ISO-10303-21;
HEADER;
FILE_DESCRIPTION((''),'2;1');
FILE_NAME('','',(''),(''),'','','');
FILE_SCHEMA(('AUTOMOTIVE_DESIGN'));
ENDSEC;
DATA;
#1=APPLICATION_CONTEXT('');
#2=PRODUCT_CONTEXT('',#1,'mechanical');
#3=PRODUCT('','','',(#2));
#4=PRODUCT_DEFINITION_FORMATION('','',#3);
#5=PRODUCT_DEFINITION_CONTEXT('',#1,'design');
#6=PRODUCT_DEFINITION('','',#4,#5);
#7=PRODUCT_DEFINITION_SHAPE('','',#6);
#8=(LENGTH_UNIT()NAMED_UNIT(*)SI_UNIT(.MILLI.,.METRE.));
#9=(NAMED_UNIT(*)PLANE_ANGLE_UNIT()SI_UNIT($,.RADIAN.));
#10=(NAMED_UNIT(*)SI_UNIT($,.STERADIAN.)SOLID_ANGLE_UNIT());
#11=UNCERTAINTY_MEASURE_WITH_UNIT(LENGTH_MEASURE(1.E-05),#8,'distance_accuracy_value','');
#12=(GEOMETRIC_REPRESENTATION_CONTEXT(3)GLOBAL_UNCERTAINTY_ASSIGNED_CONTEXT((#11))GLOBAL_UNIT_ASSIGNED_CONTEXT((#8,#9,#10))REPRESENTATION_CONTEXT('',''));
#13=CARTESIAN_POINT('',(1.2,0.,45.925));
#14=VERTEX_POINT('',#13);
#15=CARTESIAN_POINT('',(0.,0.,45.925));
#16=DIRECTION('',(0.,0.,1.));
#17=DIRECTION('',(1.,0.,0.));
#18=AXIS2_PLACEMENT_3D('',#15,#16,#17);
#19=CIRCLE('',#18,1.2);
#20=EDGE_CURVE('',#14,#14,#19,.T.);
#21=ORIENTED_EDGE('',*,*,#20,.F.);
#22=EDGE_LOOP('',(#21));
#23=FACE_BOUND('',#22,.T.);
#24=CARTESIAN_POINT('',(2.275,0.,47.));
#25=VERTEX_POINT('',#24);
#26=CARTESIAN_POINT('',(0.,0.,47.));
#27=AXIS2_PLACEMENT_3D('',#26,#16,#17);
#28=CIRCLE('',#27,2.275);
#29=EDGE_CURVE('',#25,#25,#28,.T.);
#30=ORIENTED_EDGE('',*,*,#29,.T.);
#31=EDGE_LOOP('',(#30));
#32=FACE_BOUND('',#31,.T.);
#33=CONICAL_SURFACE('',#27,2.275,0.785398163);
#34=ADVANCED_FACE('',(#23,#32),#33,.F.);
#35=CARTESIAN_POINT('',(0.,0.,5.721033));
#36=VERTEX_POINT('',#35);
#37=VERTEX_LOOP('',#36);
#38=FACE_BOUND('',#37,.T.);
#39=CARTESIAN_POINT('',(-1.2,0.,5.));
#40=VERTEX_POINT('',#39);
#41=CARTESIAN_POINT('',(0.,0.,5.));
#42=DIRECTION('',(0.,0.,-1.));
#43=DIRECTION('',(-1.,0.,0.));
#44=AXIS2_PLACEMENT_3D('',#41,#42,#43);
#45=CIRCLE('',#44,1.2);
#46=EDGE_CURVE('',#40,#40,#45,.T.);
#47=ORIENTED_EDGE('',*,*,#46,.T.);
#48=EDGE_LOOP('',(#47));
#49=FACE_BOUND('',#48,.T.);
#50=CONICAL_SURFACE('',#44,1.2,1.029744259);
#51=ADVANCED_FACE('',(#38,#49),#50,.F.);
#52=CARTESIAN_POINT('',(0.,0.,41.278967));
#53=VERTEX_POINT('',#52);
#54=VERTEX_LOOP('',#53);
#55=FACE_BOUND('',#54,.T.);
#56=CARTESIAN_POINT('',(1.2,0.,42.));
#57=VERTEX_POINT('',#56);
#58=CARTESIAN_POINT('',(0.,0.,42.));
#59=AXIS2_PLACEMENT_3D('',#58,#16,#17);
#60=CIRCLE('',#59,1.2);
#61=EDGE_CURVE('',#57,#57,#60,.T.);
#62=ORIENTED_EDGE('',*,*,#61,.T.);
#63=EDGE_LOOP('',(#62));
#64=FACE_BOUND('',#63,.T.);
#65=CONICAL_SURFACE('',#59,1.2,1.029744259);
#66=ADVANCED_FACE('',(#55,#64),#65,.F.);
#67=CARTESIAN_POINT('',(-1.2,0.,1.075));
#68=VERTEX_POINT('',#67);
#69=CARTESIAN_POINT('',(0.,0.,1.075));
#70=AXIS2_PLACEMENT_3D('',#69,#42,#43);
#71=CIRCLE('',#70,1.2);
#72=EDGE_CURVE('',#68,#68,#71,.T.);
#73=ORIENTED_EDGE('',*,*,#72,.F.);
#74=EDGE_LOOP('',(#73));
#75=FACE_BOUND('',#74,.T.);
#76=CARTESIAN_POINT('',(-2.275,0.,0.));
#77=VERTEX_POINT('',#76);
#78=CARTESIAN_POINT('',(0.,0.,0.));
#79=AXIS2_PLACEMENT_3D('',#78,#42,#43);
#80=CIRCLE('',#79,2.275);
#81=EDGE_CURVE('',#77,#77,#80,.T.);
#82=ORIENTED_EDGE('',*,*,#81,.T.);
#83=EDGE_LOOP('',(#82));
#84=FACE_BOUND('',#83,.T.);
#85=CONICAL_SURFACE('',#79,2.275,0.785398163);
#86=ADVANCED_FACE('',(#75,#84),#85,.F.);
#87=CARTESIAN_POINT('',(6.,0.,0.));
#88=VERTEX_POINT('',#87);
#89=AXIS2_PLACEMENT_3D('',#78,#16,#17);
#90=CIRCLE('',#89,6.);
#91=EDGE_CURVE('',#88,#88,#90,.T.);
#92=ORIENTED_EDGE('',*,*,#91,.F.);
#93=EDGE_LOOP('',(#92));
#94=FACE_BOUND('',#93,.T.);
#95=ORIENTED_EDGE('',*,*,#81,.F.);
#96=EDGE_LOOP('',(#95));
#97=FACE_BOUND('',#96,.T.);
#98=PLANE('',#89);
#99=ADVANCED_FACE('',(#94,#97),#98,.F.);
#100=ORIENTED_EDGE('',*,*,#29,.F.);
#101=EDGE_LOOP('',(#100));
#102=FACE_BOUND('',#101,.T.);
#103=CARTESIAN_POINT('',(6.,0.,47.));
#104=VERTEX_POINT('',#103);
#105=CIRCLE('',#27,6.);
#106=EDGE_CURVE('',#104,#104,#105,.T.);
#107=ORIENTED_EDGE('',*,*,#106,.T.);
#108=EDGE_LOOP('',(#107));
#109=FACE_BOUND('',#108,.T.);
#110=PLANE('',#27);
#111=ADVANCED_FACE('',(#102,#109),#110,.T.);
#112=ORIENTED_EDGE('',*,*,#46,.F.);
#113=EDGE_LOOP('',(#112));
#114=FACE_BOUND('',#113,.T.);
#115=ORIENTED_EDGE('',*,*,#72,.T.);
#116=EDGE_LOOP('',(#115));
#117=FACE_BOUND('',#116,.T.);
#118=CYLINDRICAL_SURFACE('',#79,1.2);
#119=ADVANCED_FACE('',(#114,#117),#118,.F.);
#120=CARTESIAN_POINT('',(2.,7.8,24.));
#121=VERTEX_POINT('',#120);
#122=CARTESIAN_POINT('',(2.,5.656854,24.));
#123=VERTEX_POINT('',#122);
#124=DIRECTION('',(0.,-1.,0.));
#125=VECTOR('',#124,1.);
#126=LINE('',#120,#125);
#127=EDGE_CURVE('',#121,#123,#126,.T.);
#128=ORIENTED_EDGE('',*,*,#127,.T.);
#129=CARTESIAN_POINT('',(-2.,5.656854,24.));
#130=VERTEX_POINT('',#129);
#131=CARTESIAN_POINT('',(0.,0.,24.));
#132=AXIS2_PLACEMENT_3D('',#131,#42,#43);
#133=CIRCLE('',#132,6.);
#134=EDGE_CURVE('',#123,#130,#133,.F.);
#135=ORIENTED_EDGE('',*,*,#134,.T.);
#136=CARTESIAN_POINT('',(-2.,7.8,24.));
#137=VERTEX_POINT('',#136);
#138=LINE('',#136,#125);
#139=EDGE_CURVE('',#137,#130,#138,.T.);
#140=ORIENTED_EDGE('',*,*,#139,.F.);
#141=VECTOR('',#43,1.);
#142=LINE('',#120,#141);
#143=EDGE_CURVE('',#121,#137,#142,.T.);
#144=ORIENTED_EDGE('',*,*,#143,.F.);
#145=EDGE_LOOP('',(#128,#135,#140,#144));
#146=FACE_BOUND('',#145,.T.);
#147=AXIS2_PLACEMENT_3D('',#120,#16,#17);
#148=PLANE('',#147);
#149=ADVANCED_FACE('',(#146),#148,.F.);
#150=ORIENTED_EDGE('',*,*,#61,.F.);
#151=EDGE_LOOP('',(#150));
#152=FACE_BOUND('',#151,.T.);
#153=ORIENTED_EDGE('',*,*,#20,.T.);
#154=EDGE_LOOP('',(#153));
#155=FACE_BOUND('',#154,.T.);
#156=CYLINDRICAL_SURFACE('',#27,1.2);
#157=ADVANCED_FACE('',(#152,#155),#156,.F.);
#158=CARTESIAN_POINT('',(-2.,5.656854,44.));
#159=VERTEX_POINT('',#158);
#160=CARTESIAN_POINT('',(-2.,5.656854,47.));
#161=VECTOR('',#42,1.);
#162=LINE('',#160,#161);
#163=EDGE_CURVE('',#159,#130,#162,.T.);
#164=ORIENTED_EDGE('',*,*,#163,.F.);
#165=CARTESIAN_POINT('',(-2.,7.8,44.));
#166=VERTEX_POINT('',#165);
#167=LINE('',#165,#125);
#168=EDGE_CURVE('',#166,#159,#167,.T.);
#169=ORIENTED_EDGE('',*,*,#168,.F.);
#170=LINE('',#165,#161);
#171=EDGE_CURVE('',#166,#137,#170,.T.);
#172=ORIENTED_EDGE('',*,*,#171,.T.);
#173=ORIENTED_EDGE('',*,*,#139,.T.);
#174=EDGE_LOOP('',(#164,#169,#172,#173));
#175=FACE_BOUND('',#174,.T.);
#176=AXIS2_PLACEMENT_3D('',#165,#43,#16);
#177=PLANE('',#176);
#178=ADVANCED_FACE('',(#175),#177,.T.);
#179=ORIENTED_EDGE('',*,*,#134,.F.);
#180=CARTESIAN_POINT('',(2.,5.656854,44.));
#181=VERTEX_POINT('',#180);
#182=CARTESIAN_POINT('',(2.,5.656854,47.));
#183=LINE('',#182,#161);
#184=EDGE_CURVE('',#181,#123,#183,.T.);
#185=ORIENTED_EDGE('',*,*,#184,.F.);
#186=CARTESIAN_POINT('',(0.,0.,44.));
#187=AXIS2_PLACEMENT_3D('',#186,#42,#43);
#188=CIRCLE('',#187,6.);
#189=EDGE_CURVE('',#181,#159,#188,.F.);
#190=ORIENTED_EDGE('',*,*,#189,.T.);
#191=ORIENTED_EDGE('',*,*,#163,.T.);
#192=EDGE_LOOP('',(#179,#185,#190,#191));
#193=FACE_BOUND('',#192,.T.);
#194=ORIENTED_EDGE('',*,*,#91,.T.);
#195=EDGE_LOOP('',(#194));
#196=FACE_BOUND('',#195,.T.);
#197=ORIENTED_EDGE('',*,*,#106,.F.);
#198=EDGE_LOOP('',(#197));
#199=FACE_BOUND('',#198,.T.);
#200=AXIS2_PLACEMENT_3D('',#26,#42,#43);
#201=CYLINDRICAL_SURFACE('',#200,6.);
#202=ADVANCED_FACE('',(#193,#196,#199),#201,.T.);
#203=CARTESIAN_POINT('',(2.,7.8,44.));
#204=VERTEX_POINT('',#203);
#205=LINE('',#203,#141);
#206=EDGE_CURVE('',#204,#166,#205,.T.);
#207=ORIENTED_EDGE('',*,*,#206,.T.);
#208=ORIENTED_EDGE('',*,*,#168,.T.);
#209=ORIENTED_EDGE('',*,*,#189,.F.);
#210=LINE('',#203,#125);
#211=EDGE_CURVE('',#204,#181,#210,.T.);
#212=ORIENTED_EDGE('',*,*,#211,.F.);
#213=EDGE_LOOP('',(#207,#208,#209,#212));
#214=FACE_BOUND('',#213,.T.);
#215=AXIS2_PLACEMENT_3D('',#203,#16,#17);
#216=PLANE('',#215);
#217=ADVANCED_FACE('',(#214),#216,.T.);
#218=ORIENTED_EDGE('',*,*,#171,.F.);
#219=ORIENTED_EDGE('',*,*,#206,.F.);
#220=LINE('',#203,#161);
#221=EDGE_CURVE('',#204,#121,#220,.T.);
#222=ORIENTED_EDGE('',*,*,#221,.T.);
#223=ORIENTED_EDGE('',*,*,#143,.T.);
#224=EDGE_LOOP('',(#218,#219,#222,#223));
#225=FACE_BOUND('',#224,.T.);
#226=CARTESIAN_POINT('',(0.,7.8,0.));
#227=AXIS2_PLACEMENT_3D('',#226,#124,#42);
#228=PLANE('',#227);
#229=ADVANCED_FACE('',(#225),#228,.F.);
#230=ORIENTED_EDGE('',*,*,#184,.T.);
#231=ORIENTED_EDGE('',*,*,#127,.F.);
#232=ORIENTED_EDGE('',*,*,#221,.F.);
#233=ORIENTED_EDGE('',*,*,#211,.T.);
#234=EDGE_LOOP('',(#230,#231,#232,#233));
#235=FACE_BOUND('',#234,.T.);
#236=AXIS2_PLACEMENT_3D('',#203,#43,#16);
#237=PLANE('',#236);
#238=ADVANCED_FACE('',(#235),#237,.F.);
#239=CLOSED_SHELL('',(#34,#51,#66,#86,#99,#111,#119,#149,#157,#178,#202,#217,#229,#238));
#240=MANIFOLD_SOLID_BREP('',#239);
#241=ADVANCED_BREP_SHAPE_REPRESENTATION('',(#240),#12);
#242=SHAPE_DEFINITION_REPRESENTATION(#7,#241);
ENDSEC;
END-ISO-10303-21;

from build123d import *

# Parameters (mm, degrees)
SKETCH_1_R                   = 6
EXTRUDE_1_DEPTH              = 47
EXTRUDE_2_DEPTH              = 1.8
EXTRUDE_2_DEPTH_BACK         = 1.8
SKETCH_2_W                   = 20
SKETCH_2_H                   = 4
HOLE_WIZARD_M2_2_D           = 2.4
HOLE_WIZARD_M2_2_DEPTH       = 5
HOLE_WIZARD_M2_2_CSINK_D     = 4.55
HOLE_WIZARD_M2_2_CSINK_ANGLE = 90
HOLE_WIZARD_M2_2_TIP         = 0.721032743
HOLE_WIZARD_M2_3_D           = 2.4
HOLE_WIZARD_M2_3_DEPTH       = 5
HOLE_WIZARD_M2_3_CSINK_D     = 4.55
HOLE_WIZARD_M2_3_CSINK_ANGLE = 90
HOLE_WIZARD_M2_3_TIP         = 0.721032743


with BuildPart() as part:
    # 스케치1 → 보스-돌출1 (new body)
    with BuildSketch(Plane.XY):
        Circle(SKETCH_1_R)
    extrude(amount=EXTRUDE_1_DEPTH)

    # 스케치2 → 보스-돌출2 (add, two sides: drawn at the far end of the back side and taken through both)
    with BuildSketch(Plane(origin=(0, 6, 0), x_dir=(0, 0, -1), z_dir=(0, 1, 0)).offset(-EXTRUDE_2_DEPTH_BACK)):
        with Locations((-34, 0)):
            Rectangle(SKETCH_2_W, SKETCH_2_H)
    extrude(amount=EXTRUDE_2_DEPTH + EXTRUDE_2_DEPTH_BACK)

    # M2 여유 구멍2
    with Locations(Plane.XY.offset(47)):
        with Locations((0, 0)):
            CounterSinkHole(HOLE_WIZARD_M2_2_D / 2, HOLE_WIZARD_M2_2_CSINK_D / 2, depth=HOLE_WIZARD_M2_2_DEPTH, counter_sink_angle=HOLE_WIZARD_M2_2_CSINK_ANGLE)
            with Locations((0, 0, -(HOLE_WIZARD_M2_2_DEPTH + HOLE_WIZARD_M2_2_TIP / 2))):  # 118° drill point
                Cone(0, HOLE_WIZARD_M2_2_D / 2, HOLE_WIZARD_M2_2_TIP, mode=Mode.SUBTRACT)

    # M2 여유 구멍3
    with Locations(Plane(origin=(0, 0, 0), x_dir=(-1, 0, 0), z_dir=(0, 0, -1))):
        with Locations((0, 0)):
            CounterSinkHole(HOLE_WIZARD_M2_3_D / 2, HOLE_WIZARD_M2_3_CSINK_D / 2, depth=HOLE_WIZARD_M2_3_DEPTH, counter_sink_angle=HOLE_WIZARD_M2_3_CSINK_ANGLE)
            with Locations((0, 0, -(HOLE_WIZARD_M2_3_DEPTH + HOLE_WIZARD_M2_3_TIP / 2))):  # 118° drill point
                Cone(0, HOLE_WIZARD_M2_3_D / 2, HOLE_WIZARD_M2_3_TIP, mode=Mode.SUBTRACT)


solid = part.part
